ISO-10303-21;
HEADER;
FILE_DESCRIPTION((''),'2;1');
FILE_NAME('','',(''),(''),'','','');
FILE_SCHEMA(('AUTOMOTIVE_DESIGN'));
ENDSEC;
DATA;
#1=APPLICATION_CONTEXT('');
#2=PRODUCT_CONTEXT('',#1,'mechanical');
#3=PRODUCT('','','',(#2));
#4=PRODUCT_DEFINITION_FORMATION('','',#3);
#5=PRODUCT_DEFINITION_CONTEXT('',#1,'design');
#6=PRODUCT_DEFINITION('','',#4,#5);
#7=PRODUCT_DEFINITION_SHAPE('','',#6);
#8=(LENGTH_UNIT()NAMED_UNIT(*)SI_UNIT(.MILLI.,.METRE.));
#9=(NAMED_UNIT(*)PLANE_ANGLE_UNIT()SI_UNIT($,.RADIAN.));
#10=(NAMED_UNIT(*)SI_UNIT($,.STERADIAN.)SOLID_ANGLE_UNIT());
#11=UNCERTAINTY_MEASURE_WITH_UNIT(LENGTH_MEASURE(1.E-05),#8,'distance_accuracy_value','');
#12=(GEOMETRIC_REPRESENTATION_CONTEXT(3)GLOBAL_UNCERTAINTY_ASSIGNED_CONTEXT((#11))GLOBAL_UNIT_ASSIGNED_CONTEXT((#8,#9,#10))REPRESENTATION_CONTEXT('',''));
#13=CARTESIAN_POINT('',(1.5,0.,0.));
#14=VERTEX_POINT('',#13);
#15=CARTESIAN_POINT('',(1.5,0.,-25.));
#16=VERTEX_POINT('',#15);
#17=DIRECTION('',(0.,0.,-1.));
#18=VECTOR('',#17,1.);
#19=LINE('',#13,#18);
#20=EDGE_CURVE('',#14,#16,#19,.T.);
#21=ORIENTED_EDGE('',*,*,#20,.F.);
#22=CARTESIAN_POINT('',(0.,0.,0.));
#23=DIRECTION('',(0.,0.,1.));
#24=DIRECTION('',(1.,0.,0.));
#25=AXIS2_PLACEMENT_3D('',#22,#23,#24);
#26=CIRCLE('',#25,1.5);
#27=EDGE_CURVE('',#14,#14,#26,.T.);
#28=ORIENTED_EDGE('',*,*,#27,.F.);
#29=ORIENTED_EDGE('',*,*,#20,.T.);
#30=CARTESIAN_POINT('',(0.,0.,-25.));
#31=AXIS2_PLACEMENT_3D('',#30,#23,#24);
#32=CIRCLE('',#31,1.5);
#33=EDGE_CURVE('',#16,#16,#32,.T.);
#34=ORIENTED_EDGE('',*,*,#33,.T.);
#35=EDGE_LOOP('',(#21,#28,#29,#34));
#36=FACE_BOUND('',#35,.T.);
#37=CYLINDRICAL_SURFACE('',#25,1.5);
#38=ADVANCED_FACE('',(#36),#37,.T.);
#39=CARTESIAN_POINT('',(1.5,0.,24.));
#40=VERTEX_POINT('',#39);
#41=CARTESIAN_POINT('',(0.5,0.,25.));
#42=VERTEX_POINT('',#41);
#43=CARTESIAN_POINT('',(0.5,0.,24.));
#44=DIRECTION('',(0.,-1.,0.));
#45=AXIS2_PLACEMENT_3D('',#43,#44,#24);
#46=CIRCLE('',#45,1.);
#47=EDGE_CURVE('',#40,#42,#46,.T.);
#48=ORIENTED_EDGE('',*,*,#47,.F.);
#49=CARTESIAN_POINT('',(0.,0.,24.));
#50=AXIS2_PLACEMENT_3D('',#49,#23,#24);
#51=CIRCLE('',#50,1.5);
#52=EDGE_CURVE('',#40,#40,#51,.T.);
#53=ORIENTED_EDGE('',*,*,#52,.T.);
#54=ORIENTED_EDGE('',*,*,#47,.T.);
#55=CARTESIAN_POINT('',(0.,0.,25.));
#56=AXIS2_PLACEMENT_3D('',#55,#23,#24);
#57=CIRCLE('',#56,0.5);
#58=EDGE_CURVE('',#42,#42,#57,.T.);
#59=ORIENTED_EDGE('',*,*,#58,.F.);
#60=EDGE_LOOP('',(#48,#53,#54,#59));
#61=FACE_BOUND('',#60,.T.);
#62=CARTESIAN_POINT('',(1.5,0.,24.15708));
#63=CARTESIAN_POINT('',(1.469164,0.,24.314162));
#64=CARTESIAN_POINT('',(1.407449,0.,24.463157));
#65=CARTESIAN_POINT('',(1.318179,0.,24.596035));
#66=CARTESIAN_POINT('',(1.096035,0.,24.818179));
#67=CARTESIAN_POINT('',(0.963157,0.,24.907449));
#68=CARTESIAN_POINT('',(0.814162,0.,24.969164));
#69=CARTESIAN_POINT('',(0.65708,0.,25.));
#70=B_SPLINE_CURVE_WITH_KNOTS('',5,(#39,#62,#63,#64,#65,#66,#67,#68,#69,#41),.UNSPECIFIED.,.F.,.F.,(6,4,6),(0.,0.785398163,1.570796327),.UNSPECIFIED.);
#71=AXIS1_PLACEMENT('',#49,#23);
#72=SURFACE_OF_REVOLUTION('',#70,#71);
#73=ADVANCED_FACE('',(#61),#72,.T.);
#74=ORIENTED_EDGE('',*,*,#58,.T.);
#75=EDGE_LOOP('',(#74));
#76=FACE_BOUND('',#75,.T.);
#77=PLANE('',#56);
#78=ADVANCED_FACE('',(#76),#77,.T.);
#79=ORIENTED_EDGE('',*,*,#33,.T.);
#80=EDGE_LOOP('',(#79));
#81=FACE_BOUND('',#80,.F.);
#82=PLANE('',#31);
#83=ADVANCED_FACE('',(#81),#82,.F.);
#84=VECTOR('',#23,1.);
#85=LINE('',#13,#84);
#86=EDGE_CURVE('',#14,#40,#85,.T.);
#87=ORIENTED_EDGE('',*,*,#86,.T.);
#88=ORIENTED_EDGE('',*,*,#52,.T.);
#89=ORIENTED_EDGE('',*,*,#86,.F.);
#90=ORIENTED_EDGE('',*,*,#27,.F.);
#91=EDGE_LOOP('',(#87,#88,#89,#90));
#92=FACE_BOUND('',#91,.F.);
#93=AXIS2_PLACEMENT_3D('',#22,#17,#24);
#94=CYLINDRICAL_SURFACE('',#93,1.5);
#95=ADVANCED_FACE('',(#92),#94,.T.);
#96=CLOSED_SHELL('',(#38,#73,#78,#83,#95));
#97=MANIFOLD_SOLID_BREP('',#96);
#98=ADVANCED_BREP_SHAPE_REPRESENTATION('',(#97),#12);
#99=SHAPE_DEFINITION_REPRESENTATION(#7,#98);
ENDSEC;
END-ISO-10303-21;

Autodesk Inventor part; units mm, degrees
ref_plane "YZ Plane" through (0, 0, 0) normal (1, 0, 0) x (0, 1, 0)
ref_plane "XZ Plane" through (0, 0, 0) normal (0, 1, 0) x (-1, 0, 0)
ref_plane "XY Plane" through (0, 0, 0) normal (0, 0, 1) x (1, 0, 0)
sketch "Sketch1" plane through (0, 0, 0) normal (0, 0, 1) x (1, 0, 0)
  circle A0 centre (0, 0) radius 1.5
  dimension "Diameter" = 3
extrude "Extrusion1" add sketch "Sketch1" along normal mid plane 50
thread "Thread1" size "M3x0.5" class "6g" standard "ISO Metric profile" length 15
fillet "Fillet1" radius 1 1 edges at (-1.5, 0, 25)
properties part number "Domed End Rod 40mm" material "Bronze, Soft Tin"
